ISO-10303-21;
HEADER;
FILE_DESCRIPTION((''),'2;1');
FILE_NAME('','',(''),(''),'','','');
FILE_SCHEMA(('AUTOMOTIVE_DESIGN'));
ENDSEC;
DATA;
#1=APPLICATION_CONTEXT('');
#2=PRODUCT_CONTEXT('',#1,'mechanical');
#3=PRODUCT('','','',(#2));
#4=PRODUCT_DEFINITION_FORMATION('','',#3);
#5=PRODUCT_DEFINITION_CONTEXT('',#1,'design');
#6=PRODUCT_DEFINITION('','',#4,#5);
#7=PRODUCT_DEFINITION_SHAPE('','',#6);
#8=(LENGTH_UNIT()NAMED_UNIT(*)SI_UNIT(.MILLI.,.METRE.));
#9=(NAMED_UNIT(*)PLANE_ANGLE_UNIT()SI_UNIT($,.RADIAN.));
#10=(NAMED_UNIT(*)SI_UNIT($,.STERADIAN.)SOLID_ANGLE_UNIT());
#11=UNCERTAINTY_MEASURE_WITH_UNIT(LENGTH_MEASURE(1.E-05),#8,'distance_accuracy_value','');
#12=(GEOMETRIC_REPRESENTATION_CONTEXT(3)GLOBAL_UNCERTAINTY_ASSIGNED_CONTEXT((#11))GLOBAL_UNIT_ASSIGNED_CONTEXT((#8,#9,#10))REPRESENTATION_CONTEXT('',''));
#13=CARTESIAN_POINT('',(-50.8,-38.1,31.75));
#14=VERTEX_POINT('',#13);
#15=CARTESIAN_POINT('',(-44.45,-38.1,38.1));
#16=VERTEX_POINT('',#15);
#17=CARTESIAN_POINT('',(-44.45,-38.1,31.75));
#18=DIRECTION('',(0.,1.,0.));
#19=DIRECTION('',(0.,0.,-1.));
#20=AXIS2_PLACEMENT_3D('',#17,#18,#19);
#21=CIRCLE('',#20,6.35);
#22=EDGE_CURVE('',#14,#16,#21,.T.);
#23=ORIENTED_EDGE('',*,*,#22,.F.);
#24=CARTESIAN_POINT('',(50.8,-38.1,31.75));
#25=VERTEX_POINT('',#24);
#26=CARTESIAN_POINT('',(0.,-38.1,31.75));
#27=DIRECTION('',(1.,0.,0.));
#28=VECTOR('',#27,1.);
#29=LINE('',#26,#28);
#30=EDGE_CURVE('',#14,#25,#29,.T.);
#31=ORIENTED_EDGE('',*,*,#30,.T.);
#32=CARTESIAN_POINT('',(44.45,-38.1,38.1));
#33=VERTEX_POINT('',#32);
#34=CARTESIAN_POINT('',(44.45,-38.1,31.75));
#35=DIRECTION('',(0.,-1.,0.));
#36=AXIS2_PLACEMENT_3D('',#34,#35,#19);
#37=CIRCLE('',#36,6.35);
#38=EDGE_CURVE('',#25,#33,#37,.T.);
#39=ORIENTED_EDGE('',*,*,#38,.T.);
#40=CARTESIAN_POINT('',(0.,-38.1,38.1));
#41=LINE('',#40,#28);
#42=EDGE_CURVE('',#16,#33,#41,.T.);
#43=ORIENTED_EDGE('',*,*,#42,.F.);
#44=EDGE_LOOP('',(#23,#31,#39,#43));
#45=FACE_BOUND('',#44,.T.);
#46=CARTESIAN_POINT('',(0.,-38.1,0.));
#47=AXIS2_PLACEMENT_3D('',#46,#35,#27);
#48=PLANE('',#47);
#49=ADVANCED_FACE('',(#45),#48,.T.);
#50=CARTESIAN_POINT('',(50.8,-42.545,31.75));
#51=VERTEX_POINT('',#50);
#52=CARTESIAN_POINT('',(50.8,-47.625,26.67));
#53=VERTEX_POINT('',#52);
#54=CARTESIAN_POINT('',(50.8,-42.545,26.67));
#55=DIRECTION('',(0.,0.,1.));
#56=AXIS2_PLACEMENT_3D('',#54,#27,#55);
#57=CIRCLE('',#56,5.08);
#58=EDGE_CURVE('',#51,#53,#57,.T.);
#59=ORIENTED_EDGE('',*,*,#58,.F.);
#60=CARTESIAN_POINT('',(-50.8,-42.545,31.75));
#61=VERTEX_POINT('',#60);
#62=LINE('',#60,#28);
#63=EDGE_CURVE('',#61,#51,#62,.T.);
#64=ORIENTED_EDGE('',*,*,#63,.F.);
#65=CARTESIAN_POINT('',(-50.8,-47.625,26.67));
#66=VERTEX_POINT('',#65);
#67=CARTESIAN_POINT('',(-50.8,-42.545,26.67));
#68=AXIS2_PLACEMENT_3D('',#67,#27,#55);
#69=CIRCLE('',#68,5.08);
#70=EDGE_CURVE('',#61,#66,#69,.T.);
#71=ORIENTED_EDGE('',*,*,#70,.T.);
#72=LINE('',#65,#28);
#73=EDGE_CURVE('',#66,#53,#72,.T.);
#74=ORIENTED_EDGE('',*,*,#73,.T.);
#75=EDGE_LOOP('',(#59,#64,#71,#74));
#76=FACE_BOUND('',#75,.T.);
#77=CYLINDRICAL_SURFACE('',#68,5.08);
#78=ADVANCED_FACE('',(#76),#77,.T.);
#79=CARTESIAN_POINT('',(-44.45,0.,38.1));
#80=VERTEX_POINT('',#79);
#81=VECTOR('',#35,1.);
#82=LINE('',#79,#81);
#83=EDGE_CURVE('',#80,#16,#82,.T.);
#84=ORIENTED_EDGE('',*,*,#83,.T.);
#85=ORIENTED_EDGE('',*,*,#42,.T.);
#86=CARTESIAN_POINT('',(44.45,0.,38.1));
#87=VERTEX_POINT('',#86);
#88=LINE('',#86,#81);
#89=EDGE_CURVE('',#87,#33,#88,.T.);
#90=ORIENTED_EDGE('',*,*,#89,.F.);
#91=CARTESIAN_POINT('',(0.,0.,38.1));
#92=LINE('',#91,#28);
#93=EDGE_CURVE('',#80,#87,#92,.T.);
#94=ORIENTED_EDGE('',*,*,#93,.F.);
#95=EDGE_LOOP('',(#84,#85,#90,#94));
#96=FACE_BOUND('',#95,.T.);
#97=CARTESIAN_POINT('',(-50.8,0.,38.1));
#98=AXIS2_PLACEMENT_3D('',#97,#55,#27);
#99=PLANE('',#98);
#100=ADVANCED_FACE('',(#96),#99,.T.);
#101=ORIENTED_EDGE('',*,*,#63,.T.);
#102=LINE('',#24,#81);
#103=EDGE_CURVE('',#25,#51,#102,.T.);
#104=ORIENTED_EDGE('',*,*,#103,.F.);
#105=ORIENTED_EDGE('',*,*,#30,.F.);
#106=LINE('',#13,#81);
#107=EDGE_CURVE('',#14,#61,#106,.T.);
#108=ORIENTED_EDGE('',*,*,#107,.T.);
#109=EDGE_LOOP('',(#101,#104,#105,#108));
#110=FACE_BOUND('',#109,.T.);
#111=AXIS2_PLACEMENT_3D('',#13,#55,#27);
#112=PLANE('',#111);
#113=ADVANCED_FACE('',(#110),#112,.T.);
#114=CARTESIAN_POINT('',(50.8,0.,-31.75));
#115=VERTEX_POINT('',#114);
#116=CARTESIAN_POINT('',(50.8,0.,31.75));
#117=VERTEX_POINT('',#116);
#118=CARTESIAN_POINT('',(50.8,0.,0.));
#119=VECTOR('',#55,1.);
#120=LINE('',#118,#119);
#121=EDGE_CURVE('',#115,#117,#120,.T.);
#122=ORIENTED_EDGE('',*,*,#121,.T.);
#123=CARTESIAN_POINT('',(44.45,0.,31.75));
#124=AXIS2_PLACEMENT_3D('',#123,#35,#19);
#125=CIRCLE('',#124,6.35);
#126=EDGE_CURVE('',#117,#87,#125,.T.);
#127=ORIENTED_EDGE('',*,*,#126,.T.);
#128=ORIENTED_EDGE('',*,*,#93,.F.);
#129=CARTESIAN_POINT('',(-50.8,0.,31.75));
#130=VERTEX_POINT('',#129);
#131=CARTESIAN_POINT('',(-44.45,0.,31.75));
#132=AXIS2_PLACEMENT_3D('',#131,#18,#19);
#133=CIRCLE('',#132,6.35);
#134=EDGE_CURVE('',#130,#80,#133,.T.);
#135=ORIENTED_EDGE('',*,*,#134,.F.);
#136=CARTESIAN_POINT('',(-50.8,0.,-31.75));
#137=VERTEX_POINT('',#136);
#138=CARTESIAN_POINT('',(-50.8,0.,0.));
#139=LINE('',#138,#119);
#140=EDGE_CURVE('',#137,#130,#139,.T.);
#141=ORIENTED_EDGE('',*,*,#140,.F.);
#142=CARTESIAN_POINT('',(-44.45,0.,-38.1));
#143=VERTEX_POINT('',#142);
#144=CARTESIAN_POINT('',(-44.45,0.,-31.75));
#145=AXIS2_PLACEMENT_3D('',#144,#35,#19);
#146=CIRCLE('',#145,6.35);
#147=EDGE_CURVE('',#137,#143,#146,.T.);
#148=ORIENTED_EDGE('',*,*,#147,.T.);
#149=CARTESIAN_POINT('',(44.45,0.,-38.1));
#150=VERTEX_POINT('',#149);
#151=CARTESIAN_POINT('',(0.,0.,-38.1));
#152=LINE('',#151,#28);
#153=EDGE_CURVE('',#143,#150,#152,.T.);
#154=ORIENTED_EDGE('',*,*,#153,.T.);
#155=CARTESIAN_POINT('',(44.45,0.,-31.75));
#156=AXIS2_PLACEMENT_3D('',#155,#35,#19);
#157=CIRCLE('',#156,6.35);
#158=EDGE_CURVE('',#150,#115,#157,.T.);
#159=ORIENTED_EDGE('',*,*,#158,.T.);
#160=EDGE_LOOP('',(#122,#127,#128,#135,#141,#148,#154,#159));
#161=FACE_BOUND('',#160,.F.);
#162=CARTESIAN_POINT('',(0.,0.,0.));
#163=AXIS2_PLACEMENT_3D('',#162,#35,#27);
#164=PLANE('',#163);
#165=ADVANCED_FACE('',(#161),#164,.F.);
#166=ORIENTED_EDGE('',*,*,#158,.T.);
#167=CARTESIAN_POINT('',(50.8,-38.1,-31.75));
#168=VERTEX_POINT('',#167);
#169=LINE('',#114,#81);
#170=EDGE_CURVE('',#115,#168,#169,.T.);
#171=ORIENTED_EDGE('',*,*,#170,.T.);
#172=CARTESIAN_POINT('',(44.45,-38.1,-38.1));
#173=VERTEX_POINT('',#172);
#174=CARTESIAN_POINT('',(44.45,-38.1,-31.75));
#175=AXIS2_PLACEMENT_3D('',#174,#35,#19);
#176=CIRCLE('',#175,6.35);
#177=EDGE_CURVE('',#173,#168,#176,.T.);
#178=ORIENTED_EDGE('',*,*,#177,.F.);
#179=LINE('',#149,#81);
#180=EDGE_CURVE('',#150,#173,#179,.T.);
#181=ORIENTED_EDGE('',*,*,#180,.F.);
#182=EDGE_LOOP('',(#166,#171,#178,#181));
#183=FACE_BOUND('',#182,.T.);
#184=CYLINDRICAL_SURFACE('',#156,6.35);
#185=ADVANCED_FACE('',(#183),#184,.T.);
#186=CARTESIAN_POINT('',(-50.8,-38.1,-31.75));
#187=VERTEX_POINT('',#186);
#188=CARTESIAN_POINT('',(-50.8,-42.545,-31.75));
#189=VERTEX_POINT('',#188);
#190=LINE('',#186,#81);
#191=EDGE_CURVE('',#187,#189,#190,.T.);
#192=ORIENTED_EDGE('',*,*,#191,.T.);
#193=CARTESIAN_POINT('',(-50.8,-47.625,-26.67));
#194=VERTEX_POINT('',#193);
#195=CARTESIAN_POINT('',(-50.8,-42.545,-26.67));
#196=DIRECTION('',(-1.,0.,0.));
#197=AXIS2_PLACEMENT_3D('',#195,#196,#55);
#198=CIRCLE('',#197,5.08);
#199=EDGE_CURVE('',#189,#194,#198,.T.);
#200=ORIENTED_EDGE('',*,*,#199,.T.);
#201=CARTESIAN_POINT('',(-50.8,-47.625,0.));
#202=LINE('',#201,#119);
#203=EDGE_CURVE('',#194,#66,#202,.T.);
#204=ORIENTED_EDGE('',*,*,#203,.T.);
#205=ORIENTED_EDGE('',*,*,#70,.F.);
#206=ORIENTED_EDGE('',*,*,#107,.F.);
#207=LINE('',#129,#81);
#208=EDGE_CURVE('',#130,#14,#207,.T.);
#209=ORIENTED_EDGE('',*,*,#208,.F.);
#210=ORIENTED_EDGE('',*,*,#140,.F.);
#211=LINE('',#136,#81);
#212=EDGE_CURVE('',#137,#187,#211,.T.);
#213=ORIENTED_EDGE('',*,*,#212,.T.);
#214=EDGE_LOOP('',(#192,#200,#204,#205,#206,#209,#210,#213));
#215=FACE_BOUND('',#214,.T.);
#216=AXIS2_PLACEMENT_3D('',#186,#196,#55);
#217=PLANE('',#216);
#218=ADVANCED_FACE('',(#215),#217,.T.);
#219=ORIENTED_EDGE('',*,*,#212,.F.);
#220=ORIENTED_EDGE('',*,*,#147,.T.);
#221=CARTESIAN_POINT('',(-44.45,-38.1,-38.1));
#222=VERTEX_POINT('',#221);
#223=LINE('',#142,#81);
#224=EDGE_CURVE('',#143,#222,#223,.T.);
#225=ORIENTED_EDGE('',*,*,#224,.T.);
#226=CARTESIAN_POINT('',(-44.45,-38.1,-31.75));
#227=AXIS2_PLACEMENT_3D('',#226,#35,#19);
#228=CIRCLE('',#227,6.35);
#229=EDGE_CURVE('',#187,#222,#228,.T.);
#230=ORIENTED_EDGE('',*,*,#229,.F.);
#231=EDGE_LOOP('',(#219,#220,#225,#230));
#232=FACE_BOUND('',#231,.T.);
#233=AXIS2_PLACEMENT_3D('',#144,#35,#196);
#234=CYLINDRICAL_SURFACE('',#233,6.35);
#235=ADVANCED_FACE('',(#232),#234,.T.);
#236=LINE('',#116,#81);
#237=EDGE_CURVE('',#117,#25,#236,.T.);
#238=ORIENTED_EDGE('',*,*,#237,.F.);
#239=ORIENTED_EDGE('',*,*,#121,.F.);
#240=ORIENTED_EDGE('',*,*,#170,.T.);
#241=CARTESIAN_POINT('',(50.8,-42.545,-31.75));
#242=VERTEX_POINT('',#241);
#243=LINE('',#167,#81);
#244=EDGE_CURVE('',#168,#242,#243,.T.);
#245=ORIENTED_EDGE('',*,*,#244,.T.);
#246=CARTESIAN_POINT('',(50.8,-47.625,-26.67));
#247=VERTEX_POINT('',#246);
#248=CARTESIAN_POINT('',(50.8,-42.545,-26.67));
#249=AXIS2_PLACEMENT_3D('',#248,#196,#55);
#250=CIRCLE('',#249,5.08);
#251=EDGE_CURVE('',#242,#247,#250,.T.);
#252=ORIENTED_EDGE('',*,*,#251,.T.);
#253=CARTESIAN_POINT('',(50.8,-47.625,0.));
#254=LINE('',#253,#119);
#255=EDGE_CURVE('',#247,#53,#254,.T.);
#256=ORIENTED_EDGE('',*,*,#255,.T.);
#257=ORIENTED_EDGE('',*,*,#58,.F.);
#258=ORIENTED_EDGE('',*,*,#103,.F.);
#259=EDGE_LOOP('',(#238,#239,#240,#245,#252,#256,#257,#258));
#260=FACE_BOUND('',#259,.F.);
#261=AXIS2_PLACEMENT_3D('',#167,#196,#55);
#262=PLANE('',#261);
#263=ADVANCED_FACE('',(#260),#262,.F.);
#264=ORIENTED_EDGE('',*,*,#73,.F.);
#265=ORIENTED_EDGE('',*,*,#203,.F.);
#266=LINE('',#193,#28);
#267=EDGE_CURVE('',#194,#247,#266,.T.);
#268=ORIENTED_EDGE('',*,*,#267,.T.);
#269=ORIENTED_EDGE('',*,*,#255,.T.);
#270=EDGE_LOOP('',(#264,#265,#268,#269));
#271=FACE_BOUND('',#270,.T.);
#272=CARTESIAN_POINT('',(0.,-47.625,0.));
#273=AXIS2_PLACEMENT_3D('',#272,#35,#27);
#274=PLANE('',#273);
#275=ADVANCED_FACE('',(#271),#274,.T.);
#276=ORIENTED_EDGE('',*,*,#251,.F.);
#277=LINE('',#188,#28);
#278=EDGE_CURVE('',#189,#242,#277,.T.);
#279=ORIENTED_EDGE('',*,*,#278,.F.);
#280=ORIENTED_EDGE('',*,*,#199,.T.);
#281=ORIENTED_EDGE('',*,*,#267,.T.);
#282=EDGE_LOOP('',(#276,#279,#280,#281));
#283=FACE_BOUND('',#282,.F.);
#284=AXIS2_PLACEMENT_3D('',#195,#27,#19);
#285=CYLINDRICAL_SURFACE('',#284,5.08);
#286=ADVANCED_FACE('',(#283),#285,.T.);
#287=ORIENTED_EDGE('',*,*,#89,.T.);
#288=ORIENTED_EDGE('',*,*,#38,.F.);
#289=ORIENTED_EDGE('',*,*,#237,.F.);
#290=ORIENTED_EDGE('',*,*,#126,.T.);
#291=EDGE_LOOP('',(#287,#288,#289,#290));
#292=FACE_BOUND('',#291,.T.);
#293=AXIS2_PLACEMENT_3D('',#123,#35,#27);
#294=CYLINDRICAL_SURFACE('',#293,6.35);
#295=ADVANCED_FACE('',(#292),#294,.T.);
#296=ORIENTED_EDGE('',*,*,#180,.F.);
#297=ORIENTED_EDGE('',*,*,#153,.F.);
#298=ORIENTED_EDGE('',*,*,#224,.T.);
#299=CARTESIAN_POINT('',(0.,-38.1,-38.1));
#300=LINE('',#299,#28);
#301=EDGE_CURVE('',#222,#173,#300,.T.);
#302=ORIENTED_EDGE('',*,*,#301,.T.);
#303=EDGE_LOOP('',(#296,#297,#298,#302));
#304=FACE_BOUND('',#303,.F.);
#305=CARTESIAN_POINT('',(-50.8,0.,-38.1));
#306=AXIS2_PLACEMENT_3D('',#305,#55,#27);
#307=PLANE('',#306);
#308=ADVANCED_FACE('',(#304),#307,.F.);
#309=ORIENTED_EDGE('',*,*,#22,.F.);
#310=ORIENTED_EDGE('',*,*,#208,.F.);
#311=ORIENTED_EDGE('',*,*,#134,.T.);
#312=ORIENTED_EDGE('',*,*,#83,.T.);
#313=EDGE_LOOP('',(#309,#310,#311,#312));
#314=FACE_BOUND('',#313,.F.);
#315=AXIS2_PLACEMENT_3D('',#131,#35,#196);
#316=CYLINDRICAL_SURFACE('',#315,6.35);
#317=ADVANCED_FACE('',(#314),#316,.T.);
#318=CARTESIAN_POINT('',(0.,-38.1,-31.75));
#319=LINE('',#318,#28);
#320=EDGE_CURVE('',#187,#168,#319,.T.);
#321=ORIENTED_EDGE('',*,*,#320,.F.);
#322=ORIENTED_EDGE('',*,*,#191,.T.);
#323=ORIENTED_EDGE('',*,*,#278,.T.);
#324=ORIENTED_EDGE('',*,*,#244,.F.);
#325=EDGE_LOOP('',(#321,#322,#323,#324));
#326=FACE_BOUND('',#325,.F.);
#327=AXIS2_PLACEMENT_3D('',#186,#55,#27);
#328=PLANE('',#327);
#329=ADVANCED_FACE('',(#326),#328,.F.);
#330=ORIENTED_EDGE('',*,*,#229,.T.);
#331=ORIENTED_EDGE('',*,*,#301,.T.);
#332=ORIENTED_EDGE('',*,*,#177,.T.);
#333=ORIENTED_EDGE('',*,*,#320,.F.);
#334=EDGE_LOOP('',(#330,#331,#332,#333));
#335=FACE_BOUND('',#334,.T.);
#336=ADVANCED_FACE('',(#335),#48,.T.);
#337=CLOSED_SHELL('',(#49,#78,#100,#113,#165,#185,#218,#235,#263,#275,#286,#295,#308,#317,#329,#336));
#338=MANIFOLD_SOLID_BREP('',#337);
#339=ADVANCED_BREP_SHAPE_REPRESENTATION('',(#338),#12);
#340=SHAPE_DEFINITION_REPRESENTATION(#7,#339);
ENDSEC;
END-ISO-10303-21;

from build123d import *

# Parameters (mm, degrees)
F0_W     = 101.6
F0_H     = 76.2
F1_DEPTH = 38.1
F2_R     = 6.35
F3_W     = 101.6
F3_H     = 63.5
F4_DEPTH = 9.525
F5_R     = 5.08


with BuildPart() as f1:
    # F0 (on Front) → F1 (new body)
    with BuildSketch(Plane.XZ):
        Rectangle(F0_W, F0_H)
    extrude(amount=F1_DEPTH)

    # F2
    f2_edges = [f1.edges().sort_by_distance(p)[0] for p in [
        (50.8, -19.05, -38.1),
        (50.8, -19.05, 38.1),
        (-50.8, -19.05, 38.1),
        (-50.8, -19.05, -38.1),
    ]]
    fillet(f2_edges, radius=F2_R)

    # F3 (on face) → F4 (join)
    with BuildSketch(Plane.XZ.offset(38.1)):
        Rectangle(F3_W, F3_H)
    extrude(amount=F4_DEPTH)

    # F5
    f5_edges = [f1.edges().sort_by_distance(p)[0] for p in [
        (0, -47.625, 31.75),
        (0, -47.625, -31.75),
    ]]
    fillet(f5_edges, radius=F5_R)


solid = f1.part
